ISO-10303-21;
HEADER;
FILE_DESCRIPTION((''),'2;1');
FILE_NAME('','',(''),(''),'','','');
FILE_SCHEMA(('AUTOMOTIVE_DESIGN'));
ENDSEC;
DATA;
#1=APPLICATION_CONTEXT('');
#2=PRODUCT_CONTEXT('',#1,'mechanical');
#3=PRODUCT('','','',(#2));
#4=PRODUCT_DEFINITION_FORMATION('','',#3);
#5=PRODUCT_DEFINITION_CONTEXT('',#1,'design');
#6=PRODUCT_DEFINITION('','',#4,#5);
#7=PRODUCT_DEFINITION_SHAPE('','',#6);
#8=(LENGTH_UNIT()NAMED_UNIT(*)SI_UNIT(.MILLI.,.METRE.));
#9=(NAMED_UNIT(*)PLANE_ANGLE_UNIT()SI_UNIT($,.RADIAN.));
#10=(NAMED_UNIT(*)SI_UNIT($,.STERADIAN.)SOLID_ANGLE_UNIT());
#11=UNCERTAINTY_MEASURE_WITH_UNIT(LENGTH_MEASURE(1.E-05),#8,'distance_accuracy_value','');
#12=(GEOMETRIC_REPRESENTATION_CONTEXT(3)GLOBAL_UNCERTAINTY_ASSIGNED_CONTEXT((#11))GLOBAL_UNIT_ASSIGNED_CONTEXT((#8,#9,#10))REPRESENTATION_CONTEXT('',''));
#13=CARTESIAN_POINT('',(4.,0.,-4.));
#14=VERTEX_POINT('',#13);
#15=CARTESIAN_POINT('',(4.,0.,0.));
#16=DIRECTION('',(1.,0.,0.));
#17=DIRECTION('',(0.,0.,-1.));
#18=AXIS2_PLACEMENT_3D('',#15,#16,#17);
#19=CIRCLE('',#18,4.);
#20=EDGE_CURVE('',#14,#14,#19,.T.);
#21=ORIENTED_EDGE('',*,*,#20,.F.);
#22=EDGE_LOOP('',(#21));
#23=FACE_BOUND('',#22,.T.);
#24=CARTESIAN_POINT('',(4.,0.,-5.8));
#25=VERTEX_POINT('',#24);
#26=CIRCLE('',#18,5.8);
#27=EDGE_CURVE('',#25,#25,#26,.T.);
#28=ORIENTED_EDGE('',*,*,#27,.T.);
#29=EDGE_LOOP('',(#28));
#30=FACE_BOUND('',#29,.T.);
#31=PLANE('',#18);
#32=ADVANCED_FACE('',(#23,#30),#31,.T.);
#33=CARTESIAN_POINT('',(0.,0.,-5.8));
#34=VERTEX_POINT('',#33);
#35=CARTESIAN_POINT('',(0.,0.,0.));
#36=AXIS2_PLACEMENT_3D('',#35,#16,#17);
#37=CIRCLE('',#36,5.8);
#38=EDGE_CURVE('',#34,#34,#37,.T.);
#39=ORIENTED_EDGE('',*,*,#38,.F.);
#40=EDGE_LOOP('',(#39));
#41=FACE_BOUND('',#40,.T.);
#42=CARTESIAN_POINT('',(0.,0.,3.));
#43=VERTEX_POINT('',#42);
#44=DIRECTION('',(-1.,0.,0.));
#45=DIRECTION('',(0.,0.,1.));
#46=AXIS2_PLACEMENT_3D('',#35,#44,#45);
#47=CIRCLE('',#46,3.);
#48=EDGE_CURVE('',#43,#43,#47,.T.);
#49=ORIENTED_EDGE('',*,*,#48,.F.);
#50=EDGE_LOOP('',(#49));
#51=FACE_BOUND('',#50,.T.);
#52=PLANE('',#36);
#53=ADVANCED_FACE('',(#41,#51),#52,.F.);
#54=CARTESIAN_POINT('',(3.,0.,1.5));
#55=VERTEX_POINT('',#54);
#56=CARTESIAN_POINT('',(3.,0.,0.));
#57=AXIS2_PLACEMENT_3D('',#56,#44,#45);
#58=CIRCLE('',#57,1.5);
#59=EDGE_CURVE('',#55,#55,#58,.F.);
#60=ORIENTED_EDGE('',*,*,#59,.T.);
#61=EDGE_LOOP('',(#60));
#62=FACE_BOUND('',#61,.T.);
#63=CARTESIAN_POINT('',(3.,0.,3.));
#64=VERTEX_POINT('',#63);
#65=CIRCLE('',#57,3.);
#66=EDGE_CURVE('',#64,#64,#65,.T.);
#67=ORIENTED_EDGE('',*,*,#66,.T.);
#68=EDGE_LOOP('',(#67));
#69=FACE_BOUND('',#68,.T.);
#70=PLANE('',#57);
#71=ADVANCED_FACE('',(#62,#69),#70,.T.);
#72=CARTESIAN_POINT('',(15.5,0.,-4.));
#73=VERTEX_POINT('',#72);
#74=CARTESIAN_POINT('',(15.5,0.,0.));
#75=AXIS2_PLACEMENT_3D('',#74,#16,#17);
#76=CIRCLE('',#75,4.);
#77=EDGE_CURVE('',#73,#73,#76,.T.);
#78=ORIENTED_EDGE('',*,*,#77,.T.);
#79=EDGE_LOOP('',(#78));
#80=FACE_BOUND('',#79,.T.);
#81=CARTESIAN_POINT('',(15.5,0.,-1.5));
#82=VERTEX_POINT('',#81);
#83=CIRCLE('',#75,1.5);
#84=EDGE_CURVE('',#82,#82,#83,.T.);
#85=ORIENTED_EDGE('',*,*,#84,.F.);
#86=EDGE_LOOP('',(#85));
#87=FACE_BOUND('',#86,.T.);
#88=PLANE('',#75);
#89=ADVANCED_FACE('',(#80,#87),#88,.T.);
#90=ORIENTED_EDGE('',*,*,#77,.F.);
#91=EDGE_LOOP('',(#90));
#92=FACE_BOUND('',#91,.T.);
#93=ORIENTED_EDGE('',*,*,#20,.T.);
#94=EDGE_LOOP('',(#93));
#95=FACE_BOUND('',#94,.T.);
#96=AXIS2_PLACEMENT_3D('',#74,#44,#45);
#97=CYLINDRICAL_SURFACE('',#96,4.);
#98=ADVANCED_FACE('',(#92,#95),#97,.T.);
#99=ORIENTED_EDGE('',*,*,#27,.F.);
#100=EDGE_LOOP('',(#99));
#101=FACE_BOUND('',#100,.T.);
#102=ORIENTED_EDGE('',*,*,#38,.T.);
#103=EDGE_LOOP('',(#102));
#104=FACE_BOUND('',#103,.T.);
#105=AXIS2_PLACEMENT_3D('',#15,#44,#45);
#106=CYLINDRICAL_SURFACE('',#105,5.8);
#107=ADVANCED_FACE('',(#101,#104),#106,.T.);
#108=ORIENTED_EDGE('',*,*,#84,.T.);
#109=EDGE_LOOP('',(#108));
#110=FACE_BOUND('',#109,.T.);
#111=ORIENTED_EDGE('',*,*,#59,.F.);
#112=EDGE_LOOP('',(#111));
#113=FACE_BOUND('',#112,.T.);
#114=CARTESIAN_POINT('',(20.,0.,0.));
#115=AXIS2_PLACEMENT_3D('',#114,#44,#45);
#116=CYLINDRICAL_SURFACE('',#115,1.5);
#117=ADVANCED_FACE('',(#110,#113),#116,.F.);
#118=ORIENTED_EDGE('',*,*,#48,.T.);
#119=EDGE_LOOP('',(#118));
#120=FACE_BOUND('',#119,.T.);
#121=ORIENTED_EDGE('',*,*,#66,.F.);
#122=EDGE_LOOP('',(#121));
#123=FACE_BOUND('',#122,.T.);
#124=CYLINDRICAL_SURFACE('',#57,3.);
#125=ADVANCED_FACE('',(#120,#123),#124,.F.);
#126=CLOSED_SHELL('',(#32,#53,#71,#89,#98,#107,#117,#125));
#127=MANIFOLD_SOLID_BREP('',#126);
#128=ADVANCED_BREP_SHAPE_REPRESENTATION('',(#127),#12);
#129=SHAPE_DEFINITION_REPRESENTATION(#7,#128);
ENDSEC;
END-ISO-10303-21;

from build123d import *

# Parameters (mm, degrees)
SKETCH1_R           = 5.8
BOSS_EXTRUDE1_DEPTH = 4
SKETCH2_R           = 4
BOSS_EXTRUDE2_DEPTH = 11.5
SKETCH3_R           = 1.5
CUT_EXTRUDE1_DEPTH  = 20
SKETCH4_R           = 3
CUT_EXTRUDE2_DEPTH  = 3


with BuildPart() as part:
    # Sketch1 → Boss-Extrude1 (new body)
    with BuildSketch(Plane(origin=(0, 0, 0), x_dir=(0, 0, -1), z_dir=(1, 0, 0))):
        Circle(SKETCH1_R)
    extrude(amount=BOSS_EXTRUDE1_DEPTH)

    # Sketch2 → Boss-Extrude2 (add)
    with BuildSketch(Plane(origin=(4, 0, 0), x_dir=(0, 0, -1), z_dir=(1, 0, 0))):
        Circle(SKETCH2_R)
    extrude(amount=BOSS_EXTRUDE2_DEPTH)

    # Sketch3 → Cut-Extrude1 (cut)
    with BuildSketch(Plane.ZY):
        Circle(SKETCH3_R)
    extrude(amount=-CUT_EXTRUDE1_DEPTH, mode=Mode.SUBTRACT)

    # Sketch4 → Cut-Extrude2 (cut)
    with BuildSketch(Plane.ZY):
        Circle(SKETCH4_R)
    extrude(amount=-CUT_EXTRUDE2_DEPTH, mode=Mode.SUBTRACT)


solid = part.part
